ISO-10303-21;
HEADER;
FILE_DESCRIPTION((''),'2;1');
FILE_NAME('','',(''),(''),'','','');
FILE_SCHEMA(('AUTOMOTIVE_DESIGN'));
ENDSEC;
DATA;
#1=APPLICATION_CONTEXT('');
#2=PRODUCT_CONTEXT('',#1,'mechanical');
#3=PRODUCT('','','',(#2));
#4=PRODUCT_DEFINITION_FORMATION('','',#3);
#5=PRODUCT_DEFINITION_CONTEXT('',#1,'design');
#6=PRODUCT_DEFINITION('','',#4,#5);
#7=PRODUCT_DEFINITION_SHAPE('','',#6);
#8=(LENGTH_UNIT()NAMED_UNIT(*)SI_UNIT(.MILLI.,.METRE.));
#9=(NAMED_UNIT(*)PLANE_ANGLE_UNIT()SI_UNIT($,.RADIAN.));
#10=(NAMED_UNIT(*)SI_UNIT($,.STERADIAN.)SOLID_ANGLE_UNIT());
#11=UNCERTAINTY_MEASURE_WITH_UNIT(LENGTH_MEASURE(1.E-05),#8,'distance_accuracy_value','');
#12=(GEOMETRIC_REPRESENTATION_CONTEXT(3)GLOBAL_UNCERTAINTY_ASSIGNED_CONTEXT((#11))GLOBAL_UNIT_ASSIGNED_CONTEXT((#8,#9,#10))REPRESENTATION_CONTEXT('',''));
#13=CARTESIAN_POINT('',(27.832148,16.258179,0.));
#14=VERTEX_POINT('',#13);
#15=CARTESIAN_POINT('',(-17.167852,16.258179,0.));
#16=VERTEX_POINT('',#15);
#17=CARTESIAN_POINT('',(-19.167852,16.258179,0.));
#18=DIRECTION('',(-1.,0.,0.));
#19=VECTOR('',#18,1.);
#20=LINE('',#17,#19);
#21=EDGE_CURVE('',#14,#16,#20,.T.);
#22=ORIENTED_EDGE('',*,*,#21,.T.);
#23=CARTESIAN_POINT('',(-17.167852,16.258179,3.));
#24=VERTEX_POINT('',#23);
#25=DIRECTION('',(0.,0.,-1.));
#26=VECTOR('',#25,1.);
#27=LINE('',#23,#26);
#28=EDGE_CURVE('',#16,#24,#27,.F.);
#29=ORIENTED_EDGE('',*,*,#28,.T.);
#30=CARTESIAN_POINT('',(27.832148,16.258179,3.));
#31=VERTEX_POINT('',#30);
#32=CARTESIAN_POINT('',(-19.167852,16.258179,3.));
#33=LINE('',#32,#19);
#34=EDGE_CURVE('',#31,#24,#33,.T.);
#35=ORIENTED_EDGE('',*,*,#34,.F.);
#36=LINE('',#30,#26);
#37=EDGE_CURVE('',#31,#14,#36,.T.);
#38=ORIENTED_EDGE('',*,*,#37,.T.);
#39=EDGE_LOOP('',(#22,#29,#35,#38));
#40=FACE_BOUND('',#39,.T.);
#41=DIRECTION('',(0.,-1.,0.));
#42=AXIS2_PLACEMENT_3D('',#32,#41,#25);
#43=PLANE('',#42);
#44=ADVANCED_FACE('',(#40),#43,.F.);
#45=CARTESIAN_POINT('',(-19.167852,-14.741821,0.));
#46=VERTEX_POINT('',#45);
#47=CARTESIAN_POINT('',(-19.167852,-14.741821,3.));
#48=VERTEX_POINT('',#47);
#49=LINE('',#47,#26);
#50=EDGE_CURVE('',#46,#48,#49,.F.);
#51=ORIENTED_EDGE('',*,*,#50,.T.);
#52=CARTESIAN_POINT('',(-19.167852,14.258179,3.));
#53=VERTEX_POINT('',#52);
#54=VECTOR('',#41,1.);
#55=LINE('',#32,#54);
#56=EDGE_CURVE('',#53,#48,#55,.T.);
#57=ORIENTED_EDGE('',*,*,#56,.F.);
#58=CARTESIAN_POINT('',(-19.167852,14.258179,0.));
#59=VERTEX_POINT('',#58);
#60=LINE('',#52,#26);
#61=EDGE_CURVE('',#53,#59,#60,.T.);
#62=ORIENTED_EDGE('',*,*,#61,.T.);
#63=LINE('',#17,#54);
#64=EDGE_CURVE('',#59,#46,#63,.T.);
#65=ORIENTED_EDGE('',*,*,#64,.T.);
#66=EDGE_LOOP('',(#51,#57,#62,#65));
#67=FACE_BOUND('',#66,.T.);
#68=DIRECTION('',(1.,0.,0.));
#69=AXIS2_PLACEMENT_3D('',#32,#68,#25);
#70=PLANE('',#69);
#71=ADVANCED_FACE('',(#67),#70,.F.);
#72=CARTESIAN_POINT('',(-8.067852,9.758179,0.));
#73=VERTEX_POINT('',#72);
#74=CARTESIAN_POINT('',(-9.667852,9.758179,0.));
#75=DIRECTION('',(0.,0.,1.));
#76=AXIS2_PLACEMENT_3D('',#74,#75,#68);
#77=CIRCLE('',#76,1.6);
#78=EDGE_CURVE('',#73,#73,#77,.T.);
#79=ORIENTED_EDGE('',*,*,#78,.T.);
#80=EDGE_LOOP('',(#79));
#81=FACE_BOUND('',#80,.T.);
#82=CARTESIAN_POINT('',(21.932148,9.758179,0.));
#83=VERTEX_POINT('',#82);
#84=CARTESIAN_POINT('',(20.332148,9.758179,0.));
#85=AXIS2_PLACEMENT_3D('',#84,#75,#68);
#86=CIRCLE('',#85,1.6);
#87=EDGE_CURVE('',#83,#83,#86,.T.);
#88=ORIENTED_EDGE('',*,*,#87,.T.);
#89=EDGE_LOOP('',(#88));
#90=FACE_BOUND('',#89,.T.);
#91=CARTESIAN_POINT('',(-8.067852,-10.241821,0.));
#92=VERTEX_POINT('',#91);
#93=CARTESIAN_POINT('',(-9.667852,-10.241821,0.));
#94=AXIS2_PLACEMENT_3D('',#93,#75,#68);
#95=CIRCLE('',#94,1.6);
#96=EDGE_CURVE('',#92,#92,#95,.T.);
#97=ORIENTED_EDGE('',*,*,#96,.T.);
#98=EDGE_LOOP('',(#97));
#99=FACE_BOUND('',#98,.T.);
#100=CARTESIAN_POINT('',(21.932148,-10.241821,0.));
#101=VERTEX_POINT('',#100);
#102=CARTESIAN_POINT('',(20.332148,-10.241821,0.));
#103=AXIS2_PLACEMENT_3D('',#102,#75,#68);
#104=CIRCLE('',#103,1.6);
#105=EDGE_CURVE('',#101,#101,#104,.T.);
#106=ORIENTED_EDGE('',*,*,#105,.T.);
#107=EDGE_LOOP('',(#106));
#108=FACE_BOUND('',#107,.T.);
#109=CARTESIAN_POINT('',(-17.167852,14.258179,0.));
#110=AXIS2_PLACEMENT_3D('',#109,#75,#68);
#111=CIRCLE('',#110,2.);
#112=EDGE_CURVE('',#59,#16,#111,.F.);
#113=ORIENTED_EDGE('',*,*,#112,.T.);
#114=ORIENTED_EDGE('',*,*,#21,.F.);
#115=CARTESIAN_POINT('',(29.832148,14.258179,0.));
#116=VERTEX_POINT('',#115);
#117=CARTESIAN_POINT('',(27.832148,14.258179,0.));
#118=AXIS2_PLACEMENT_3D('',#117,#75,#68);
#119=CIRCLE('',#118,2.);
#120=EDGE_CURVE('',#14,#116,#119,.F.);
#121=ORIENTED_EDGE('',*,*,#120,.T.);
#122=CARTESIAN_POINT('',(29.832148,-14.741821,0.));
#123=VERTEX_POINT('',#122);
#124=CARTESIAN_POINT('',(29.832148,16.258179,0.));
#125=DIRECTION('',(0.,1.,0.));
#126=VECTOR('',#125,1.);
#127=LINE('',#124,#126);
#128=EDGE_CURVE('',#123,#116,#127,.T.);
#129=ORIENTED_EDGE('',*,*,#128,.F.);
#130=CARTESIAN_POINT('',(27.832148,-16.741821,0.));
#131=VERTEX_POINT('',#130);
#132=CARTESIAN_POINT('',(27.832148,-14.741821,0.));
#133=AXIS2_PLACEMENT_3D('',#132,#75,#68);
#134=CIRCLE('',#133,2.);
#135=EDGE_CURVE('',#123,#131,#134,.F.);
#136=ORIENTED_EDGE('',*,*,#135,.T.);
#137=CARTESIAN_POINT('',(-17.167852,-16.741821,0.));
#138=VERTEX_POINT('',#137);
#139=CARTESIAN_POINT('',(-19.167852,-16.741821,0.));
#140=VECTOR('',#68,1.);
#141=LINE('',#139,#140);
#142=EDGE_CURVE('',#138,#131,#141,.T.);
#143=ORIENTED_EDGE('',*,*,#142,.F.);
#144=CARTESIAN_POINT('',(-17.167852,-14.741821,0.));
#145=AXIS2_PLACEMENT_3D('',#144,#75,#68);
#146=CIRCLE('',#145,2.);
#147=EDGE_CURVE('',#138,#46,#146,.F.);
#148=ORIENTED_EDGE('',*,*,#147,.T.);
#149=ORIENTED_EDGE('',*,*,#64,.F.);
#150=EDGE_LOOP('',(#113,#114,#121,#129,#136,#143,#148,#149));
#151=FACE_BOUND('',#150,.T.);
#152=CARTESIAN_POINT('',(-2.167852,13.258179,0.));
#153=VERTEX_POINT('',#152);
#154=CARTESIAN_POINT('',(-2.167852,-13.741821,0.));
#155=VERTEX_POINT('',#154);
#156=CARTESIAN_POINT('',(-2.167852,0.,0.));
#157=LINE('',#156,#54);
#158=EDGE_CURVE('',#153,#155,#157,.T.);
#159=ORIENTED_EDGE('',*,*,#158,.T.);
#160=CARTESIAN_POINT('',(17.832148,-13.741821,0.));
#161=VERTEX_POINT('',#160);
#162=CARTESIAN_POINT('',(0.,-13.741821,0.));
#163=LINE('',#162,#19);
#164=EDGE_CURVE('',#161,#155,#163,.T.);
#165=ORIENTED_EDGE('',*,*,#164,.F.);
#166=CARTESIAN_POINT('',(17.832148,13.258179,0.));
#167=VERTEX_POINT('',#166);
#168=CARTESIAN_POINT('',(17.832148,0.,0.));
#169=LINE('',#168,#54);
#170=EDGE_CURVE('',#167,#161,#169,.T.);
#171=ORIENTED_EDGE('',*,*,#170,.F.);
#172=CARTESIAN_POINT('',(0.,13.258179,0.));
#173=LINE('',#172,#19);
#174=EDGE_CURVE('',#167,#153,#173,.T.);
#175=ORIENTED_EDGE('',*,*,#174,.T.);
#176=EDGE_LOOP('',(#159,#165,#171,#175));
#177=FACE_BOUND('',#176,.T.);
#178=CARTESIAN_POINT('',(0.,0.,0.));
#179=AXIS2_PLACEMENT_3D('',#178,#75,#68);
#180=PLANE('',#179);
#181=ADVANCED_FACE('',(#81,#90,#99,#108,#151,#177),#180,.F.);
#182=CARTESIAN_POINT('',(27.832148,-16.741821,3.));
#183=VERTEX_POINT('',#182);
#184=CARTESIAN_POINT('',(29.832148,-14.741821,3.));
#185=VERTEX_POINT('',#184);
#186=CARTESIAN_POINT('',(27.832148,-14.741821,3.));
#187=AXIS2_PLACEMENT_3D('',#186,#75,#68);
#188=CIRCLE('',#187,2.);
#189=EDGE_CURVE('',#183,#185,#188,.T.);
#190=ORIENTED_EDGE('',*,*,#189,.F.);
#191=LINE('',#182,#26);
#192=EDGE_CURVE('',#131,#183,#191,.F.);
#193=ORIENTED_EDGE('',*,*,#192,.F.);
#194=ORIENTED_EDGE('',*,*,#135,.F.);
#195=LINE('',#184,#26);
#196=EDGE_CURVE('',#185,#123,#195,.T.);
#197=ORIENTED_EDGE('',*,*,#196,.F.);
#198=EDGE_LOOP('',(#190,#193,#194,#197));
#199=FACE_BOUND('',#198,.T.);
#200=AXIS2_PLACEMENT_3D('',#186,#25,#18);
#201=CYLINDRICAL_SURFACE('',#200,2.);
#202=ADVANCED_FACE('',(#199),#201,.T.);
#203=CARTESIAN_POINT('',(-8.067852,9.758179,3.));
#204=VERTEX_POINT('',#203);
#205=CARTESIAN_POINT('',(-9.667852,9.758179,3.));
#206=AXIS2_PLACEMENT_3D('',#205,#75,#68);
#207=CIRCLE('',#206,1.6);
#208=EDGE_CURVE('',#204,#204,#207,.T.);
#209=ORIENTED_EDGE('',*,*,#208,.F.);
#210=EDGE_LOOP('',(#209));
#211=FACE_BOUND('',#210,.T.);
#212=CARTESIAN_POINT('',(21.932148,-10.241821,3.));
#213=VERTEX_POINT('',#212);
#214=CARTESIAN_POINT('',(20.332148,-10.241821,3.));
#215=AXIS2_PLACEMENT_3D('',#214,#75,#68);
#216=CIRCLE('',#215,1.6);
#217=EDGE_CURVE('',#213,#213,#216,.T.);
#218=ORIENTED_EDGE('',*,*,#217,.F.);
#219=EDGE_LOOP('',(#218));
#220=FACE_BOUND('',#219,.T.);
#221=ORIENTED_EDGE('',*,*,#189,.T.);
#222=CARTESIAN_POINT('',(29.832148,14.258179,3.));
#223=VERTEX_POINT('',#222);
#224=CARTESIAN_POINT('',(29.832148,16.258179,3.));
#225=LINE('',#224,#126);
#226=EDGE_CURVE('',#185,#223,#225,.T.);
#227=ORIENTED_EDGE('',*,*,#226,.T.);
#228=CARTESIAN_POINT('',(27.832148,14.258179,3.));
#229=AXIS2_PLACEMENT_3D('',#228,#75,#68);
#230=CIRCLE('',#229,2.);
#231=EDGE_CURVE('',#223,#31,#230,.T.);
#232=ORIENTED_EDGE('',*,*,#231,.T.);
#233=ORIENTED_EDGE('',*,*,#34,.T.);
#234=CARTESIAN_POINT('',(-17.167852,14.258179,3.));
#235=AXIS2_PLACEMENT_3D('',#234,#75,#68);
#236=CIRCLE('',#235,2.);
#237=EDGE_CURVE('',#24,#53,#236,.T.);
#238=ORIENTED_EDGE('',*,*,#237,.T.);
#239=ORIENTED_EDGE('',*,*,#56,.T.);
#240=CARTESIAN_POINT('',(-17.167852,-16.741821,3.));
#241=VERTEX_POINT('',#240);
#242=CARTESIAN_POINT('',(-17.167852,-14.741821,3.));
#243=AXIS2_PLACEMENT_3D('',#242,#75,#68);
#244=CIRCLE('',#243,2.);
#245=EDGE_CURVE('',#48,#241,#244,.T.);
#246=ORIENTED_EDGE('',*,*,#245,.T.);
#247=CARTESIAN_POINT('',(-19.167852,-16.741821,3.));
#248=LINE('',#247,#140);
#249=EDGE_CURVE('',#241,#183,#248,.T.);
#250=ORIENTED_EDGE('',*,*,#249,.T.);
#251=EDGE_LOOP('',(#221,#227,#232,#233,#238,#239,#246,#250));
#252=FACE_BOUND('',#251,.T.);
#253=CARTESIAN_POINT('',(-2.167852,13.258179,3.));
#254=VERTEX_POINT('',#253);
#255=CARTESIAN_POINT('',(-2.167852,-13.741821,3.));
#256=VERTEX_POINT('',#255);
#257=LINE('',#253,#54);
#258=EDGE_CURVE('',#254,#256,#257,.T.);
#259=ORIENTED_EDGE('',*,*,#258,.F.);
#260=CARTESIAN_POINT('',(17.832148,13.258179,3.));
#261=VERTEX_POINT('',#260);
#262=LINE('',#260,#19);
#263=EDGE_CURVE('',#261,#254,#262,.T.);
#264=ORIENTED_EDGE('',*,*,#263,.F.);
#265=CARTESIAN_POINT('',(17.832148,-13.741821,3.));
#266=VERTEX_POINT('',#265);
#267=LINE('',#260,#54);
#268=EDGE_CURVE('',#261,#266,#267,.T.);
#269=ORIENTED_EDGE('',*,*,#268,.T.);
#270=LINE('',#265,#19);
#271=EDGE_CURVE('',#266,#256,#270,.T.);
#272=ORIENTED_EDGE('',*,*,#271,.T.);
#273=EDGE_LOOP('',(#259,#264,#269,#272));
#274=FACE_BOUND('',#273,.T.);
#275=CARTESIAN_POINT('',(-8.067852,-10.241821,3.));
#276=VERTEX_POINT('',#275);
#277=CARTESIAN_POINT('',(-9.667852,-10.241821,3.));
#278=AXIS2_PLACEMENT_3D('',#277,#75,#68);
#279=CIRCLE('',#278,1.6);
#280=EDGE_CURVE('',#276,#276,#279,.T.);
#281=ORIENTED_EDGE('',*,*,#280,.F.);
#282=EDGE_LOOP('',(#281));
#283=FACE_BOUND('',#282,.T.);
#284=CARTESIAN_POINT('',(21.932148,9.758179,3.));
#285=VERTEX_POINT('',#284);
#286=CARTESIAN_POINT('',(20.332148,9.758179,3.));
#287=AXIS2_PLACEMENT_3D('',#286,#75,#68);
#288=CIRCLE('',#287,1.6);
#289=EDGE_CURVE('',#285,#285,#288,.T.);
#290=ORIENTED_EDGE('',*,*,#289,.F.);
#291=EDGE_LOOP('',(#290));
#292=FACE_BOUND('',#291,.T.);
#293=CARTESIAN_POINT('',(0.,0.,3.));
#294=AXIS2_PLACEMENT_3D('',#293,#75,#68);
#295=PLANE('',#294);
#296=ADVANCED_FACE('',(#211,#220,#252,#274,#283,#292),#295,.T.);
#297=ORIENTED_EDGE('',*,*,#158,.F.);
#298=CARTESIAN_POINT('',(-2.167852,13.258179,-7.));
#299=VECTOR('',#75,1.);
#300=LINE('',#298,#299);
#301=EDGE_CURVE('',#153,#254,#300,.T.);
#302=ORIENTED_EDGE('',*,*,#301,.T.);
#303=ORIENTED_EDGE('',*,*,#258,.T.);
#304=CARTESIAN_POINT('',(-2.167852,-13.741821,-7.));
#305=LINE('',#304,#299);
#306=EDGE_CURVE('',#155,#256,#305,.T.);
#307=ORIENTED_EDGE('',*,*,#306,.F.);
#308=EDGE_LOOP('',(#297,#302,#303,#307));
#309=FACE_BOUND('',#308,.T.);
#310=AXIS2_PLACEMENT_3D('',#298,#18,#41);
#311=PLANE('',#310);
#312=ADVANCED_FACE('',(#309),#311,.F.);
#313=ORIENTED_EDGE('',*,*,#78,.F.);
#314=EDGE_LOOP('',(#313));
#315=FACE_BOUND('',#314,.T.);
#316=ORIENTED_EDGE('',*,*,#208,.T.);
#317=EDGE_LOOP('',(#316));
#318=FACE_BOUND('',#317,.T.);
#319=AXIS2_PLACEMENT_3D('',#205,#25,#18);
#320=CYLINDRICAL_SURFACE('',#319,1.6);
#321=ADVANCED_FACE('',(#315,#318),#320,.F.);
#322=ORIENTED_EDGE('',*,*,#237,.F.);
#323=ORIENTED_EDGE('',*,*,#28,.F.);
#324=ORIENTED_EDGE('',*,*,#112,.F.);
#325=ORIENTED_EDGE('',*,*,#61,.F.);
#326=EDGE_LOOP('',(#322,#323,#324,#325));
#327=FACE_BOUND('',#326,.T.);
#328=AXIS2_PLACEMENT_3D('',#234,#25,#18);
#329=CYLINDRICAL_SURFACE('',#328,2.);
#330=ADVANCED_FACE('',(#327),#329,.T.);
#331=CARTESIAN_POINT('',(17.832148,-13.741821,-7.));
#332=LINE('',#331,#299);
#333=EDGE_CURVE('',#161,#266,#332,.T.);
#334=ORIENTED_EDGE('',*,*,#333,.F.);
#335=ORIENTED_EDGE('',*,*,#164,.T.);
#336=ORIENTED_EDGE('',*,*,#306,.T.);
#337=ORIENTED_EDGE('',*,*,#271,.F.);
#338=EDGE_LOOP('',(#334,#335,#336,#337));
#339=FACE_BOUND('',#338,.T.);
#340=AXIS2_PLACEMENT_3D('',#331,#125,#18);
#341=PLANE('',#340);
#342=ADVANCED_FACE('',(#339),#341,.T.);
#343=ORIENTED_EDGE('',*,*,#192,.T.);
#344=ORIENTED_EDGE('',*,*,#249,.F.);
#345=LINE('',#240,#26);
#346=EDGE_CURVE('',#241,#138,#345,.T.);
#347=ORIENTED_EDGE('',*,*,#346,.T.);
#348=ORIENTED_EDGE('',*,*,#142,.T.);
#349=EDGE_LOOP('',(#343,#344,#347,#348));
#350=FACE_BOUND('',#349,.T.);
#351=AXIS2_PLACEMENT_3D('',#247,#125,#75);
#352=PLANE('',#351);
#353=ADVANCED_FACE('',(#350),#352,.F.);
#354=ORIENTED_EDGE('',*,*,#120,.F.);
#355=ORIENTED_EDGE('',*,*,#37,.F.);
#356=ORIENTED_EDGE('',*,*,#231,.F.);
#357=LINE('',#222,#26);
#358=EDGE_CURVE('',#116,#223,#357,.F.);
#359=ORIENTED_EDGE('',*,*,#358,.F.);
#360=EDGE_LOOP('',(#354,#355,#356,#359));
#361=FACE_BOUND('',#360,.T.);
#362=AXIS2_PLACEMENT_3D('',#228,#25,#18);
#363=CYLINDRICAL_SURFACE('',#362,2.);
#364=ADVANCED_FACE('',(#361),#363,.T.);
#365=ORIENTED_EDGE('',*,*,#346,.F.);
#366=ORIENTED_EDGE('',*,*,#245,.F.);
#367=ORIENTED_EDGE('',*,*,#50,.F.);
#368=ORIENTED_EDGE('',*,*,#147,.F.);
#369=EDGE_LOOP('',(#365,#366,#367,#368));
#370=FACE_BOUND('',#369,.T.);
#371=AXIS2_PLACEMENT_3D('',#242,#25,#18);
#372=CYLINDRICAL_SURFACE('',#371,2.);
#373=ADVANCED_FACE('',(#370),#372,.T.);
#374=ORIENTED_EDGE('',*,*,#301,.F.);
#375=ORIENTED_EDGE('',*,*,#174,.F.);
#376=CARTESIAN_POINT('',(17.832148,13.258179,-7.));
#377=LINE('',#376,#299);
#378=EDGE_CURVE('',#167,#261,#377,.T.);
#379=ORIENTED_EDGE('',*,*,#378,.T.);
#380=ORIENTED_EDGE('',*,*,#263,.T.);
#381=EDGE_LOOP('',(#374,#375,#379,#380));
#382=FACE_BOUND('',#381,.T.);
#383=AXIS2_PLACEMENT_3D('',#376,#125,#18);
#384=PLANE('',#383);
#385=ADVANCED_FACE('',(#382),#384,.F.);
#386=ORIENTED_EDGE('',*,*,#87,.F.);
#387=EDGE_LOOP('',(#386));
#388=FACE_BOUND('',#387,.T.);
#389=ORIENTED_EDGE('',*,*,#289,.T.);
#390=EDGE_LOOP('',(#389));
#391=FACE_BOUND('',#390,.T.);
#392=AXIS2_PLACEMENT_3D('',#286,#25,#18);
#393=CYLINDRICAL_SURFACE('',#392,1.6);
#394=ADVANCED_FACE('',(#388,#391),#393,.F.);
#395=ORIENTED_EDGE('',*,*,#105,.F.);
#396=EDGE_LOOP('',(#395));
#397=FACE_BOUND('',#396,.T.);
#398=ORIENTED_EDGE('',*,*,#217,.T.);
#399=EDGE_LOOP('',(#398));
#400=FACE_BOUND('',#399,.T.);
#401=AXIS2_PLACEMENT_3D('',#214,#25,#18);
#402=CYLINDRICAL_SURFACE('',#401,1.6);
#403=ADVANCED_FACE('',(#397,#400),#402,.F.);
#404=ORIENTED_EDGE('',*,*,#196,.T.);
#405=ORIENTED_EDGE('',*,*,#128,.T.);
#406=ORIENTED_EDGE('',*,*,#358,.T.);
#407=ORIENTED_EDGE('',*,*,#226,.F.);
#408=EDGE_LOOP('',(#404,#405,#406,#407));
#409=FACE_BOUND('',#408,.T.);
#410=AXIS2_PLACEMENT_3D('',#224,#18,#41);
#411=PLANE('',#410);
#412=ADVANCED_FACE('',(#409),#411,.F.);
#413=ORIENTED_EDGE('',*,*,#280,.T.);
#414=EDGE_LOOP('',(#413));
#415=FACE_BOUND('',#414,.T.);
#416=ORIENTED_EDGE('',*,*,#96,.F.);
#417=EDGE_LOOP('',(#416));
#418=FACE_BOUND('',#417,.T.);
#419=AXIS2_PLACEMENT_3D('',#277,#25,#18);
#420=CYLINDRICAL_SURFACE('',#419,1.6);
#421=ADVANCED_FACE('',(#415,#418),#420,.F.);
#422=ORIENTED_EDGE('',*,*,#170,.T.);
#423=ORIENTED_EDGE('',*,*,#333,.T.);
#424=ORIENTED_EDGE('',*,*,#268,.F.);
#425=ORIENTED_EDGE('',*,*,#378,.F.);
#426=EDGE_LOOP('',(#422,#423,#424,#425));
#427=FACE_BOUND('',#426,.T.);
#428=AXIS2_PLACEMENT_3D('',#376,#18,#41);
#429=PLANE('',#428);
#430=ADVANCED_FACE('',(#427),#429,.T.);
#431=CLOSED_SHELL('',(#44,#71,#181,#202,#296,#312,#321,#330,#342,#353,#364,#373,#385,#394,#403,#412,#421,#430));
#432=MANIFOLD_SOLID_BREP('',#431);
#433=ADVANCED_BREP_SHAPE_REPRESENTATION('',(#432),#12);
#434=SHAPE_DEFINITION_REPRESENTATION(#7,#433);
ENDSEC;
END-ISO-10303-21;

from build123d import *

# Parameters (mm, degrees)
SKETCH1_W           = 49
SKETCH1_H           = 33
SKETCH1_R           = 1.6
BOSS_EXTRUDE2_DEPTH = 3
FILLET1_R           = 2
SKETCH2_W           = 20
SKETCH2_H           = 27
CUT_EXTRUDE1_DEPTH  = 10


with BuildPart() as part:
    # Sketch1 → Boss-Extrude2 (new body)
    with BuildSketch(Plane.XY):
        with Locations((5.332147937, -0.241820768)):
            Rectangle(SKETCH1_W, SKETCH1_H)
        with Locations((-9.667852063, 9.758179232)):
            Circle(SKETCH1_R, mode=Mode.SUBTRACT)
        with Locations((20.332147937, 9.758179232)):
            Circle(SKETCH1_R, mode=Mode.SUBTRACT)
        with Locations((-9.667852063, -10.241820768)):
            Circle(SKETCH1_R, mode=Mode.SUBTRACT)
        with Locations((20.332147937, -10.241820768)):
            Circle(SKETCH1_R, mode=Mode.SUBTRACT)
    extrude(amount=BOSS_EXTRUDE2_DEPTH)

    # Fillet1
    fillet1_edges = [part.edges().sort_by_distance(p)[0] for p in [
        (-19.167852063, 16.258179232, 1.5),
        (29.832147937, 16.258179232, 1.5),
        (29.832147937, -16.741820768, 1.5),
        (-19.167852063, -16.741820768, 1.5),
    ]]
    fillet(fillet1_edges, radius=FILLET1_R)

    # Sketch2 → Cut-Extrude1 (cut)
    with BuildSketch(Plane.XY.offset(3)):
        with Locations((7.832147937, -0.241820768)):
            Rectangle(SKETCH2_W, SKETCH2_H)
    extrude(amount=-CUT_EXTRUDE1_DEPTH, mode=Mode.SUBTRACT)


solid = part.part
